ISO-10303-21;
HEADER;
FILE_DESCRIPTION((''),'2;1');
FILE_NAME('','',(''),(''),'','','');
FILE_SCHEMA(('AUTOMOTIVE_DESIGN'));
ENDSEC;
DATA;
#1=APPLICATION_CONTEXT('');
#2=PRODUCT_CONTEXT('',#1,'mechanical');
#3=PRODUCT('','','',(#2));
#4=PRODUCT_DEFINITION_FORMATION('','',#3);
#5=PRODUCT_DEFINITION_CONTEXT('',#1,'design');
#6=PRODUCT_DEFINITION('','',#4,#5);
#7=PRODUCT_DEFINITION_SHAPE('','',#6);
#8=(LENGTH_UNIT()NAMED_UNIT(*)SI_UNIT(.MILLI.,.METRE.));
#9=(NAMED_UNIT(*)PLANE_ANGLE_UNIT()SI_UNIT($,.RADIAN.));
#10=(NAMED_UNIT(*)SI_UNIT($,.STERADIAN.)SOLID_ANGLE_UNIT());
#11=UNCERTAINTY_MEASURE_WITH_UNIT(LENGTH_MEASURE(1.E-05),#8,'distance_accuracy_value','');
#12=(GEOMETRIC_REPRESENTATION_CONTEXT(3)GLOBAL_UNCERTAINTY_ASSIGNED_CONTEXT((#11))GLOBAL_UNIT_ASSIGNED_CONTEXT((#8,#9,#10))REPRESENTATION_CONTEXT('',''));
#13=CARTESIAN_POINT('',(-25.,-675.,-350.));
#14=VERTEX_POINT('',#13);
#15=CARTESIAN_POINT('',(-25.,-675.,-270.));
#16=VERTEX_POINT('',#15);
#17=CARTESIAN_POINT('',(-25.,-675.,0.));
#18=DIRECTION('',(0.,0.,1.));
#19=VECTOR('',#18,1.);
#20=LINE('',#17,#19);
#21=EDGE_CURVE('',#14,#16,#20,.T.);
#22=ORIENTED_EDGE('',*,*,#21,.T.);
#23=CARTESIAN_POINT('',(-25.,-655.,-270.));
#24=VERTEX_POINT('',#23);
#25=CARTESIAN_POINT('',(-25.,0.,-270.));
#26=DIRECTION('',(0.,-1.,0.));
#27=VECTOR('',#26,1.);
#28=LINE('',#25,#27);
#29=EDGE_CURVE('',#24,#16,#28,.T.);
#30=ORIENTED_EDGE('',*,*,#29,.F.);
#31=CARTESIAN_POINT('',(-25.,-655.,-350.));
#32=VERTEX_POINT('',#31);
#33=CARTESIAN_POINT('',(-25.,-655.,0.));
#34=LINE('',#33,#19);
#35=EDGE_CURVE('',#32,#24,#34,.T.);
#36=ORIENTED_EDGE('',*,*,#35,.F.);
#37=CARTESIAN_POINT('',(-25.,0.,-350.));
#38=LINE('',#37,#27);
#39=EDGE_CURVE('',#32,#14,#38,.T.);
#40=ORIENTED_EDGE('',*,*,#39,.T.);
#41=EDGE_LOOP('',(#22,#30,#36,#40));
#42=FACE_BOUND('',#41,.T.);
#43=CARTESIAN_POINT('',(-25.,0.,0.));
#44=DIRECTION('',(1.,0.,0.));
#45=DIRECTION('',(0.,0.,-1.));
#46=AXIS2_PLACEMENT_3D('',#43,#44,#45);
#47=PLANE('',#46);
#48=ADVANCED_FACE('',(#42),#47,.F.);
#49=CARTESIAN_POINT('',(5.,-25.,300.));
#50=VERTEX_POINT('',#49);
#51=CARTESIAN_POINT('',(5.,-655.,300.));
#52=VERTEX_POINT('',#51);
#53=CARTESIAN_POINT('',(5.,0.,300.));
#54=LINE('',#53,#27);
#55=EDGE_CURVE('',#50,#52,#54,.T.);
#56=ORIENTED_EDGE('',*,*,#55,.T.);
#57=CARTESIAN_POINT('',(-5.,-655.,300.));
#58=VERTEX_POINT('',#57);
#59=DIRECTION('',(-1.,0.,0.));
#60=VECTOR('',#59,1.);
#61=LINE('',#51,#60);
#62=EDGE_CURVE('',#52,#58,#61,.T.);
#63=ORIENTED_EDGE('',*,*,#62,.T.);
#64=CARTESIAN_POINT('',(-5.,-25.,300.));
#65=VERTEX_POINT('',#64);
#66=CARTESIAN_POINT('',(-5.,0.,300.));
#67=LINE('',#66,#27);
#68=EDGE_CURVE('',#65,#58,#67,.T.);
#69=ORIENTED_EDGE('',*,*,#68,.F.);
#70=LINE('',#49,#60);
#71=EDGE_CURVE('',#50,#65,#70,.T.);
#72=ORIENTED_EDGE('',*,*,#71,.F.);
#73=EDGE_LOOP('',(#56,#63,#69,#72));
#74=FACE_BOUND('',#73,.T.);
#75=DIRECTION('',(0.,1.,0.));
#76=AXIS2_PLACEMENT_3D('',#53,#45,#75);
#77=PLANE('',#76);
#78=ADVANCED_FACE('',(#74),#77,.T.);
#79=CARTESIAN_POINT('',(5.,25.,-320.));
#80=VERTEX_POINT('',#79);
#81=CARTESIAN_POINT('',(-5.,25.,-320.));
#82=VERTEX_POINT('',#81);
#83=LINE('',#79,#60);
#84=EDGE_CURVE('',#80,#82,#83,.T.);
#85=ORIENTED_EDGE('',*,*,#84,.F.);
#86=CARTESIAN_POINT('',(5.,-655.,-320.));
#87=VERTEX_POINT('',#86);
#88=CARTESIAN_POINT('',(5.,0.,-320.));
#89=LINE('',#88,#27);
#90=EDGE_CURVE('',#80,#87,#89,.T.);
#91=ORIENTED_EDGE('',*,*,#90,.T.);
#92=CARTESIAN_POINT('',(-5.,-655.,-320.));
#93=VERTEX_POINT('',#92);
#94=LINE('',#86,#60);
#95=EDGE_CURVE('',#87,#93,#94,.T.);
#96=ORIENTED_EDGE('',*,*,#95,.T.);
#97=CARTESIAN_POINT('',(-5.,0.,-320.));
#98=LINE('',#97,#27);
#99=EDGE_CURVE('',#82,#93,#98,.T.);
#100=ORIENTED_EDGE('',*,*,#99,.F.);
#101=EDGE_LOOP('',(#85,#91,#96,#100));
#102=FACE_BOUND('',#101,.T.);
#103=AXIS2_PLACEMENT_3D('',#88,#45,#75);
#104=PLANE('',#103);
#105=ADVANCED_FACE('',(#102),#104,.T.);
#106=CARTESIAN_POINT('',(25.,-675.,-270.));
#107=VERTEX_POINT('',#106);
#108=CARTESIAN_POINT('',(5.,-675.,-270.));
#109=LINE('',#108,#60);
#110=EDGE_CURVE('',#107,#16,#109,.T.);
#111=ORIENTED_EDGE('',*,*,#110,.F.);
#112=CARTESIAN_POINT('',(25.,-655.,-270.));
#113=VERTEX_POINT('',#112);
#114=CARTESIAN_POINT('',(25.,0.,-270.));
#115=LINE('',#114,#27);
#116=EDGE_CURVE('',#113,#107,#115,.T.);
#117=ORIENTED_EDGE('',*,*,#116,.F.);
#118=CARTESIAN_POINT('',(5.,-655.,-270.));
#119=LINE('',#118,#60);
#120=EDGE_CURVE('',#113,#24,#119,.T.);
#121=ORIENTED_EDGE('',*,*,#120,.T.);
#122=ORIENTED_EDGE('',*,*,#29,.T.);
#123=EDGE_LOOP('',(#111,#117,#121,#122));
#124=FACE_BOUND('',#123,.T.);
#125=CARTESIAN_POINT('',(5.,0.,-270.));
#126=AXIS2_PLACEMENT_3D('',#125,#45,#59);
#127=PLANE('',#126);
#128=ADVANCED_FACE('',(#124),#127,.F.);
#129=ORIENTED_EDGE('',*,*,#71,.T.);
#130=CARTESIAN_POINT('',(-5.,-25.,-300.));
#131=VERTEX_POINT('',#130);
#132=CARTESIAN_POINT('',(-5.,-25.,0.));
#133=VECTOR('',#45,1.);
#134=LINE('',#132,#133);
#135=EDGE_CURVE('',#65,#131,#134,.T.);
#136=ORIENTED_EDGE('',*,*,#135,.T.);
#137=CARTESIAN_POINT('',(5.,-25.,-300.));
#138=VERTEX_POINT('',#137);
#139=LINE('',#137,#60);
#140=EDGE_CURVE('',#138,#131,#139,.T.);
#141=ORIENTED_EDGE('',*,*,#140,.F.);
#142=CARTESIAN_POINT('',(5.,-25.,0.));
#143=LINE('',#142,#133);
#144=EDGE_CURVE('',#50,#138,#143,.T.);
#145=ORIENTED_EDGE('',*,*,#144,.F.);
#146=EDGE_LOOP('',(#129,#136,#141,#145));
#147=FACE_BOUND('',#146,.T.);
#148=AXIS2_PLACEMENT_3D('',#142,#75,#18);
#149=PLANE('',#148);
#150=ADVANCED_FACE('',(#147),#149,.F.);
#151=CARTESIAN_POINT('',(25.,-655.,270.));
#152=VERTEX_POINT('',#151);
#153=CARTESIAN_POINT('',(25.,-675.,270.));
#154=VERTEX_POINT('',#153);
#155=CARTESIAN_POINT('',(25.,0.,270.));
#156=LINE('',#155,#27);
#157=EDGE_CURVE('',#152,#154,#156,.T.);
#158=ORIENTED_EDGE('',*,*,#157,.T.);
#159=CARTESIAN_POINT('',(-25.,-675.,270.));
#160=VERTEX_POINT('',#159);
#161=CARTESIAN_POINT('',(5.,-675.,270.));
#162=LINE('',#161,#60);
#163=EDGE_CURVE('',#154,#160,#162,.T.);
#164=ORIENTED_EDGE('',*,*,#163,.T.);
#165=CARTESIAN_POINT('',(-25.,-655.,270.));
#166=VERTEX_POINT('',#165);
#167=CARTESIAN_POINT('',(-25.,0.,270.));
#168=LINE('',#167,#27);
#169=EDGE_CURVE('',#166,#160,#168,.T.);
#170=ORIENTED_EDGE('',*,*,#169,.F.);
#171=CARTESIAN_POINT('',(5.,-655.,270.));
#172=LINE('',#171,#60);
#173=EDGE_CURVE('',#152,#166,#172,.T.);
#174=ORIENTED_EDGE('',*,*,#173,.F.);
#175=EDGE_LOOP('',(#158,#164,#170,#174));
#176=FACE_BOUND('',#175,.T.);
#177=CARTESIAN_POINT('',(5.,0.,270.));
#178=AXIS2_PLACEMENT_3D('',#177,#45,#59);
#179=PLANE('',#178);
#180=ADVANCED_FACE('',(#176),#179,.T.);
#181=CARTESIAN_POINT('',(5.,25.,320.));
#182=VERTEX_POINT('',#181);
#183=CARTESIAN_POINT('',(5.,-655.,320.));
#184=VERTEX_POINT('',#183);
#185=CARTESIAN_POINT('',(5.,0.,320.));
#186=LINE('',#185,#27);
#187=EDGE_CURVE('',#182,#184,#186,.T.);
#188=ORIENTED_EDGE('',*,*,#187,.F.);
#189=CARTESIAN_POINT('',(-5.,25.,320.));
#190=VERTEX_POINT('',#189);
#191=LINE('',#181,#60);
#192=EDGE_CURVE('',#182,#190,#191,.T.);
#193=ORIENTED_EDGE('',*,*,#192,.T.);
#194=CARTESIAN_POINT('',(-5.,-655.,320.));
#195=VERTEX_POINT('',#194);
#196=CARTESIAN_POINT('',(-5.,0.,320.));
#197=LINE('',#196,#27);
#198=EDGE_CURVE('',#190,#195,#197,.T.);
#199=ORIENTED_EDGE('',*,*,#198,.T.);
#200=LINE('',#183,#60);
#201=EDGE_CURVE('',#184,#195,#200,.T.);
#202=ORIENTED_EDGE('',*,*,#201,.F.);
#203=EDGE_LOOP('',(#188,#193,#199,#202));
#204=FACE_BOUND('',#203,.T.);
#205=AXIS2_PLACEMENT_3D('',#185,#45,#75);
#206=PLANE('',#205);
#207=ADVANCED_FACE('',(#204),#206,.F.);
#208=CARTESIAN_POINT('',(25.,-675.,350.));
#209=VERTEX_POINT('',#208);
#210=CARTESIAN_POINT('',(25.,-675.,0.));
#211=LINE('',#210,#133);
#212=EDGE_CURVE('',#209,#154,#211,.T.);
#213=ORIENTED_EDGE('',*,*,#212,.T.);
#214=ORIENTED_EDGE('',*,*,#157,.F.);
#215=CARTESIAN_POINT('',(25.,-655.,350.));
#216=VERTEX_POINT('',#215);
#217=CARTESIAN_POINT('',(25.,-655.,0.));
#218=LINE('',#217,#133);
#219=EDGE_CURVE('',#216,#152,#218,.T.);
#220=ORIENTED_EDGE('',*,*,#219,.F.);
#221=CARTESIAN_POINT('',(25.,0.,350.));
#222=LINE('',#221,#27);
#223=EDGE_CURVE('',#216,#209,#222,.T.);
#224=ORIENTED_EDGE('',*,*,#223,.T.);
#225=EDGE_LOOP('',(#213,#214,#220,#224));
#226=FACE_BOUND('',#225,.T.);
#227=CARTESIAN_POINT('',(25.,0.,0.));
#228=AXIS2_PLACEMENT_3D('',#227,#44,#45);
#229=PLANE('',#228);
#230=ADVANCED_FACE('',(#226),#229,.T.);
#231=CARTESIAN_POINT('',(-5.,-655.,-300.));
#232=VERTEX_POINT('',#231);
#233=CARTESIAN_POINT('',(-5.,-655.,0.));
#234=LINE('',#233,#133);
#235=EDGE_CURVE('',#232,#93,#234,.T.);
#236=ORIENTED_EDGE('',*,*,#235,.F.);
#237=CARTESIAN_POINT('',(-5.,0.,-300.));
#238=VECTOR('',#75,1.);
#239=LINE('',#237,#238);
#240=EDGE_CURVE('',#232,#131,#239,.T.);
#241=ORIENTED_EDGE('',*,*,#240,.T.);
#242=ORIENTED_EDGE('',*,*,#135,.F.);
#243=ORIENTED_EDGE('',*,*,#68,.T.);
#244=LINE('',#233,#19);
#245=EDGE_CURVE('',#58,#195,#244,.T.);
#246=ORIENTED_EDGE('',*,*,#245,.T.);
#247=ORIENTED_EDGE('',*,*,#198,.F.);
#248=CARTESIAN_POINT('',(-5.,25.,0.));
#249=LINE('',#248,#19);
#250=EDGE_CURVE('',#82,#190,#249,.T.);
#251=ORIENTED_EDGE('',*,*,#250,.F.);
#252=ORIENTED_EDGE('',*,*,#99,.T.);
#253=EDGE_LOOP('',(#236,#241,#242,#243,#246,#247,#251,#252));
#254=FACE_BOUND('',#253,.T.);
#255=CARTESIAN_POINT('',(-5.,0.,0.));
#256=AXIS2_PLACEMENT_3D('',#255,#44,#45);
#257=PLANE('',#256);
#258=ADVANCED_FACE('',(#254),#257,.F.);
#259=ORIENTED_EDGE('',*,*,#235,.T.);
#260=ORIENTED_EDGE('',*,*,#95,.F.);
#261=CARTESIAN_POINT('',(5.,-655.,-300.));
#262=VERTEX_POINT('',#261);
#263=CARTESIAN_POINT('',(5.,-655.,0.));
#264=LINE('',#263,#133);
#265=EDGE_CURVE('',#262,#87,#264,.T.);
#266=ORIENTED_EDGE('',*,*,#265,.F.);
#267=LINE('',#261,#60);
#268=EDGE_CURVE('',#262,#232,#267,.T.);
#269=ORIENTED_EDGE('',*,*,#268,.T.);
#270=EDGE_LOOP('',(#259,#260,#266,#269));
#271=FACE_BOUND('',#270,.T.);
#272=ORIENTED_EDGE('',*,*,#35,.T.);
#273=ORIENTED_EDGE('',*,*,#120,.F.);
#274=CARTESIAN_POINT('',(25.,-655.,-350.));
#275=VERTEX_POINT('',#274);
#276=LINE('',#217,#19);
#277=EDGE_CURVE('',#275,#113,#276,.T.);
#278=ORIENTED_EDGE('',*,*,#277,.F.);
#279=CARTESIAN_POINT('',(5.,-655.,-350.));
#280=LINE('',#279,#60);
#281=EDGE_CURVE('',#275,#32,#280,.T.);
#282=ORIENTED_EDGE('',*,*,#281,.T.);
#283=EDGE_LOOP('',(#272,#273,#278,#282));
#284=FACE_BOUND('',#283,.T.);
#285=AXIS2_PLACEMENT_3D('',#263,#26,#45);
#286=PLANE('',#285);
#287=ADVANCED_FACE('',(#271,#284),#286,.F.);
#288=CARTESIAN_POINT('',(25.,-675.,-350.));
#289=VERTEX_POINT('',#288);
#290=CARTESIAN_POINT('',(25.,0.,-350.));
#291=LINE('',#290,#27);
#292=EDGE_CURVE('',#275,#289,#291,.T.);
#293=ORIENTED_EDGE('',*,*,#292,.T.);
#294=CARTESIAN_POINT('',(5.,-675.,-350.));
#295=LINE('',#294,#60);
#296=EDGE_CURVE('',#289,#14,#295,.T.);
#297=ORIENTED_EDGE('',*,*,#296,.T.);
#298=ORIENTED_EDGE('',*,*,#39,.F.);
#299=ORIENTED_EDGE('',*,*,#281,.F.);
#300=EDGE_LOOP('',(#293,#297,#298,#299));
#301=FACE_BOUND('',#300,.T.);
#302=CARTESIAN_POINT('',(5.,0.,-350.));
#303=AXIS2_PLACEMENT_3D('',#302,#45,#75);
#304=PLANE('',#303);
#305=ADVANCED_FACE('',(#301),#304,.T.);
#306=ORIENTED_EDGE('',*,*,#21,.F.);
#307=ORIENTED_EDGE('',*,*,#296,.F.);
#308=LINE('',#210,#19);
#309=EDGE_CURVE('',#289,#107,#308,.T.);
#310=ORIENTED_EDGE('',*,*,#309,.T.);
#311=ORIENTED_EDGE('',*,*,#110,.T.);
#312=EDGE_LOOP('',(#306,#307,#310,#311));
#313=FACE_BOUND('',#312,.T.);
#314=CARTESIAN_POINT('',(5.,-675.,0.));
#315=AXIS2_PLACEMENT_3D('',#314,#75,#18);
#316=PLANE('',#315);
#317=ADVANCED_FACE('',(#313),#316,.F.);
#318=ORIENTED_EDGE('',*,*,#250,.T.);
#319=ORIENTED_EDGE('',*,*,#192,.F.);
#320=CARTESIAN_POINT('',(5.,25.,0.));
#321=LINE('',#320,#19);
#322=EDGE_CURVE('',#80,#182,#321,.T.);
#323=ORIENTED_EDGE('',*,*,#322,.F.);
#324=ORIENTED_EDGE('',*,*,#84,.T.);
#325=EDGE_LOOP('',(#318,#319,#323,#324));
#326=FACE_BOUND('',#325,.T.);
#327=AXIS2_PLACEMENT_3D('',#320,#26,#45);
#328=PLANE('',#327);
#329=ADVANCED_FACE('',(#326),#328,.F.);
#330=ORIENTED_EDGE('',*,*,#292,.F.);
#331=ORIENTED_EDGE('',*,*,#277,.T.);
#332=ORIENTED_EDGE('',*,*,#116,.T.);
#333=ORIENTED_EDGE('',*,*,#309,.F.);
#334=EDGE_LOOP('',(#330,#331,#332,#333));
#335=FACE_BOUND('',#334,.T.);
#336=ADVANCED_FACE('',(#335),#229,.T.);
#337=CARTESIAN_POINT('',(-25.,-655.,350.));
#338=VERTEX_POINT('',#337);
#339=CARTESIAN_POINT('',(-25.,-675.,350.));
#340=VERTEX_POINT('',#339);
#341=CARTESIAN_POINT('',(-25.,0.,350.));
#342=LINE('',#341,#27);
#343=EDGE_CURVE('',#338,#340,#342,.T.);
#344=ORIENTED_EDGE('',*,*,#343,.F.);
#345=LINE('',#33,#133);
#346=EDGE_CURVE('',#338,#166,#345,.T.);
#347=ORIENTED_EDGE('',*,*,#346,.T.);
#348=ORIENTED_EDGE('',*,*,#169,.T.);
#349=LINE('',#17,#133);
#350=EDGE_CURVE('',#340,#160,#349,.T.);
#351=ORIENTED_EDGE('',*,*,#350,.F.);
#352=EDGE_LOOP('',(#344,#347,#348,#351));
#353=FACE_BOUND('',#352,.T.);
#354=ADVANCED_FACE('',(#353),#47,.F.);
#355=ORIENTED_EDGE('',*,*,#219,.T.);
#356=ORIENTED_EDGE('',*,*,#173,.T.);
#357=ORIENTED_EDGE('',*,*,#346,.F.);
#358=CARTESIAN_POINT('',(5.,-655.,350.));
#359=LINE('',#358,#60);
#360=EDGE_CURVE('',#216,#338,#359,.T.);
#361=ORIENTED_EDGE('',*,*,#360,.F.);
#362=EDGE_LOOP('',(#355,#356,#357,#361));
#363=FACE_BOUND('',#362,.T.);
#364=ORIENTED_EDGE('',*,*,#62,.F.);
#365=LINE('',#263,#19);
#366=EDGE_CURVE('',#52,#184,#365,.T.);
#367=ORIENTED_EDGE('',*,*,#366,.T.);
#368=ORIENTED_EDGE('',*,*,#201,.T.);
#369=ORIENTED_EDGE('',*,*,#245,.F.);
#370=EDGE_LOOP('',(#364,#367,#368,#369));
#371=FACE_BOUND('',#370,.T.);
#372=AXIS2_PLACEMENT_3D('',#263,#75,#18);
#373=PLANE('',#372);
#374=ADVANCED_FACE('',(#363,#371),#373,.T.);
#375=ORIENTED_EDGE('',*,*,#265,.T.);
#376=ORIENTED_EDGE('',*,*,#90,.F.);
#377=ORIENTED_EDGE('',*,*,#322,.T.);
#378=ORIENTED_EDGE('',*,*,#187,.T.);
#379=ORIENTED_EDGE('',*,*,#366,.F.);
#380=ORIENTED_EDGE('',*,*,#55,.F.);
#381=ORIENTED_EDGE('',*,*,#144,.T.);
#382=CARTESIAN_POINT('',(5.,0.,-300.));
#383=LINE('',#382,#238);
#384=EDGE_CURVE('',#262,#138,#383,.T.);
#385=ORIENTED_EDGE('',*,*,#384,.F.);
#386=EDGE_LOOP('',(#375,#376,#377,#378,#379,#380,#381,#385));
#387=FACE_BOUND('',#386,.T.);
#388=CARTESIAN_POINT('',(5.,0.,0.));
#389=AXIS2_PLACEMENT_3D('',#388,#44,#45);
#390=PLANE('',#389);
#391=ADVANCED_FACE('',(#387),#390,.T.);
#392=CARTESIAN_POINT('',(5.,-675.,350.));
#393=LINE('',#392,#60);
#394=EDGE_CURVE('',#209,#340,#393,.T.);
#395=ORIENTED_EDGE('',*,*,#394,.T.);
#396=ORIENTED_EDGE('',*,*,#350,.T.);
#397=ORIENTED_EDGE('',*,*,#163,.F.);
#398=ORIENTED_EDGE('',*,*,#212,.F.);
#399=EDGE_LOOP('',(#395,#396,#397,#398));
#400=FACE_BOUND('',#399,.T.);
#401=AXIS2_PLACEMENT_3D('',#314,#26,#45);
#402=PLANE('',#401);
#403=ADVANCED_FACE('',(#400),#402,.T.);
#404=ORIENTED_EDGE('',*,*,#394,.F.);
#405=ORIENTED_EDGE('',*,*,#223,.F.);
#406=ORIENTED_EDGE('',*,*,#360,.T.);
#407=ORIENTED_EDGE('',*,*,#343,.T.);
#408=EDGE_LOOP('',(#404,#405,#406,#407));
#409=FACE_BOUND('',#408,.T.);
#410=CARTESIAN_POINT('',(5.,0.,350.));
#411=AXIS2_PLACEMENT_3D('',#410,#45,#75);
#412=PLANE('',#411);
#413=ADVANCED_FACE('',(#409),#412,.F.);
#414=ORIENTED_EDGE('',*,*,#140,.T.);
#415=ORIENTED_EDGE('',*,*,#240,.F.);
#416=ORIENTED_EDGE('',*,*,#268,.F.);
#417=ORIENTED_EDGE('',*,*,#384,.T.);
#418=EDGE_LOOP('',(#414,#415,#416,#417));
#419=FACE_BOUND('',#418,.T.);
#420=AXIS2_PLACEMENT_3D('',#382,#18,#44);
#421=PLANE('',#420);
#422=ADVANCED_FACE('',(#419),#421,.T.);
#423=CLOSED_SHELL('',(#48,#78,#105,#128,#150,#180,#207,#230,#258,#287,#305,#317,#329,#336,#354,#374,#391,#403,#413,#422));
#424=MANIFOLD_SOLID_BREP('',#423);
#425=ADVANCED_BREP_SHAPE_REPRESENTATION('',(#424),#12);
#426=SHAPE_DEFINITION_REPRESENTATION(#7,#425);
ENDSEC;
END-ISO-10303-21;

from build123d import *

# Parameters (mm, degrees)
EXTRUDE_1_DEPTH = 5
SKETCH_1_3_W    = 80
SKETCH_1_3_H    = 20
EXTRUDE_2_DEPTH = 25


with BuildPart() as part:
    # 草图1 → 凸台-拉伸1 (new, symmetric)
    with BuildSketch(Plane(origin=(0, 0, 0), x_dir=(0, 0, -1), z_dir=(1, 0, 0))):
        Polygon((320, -655), (320, 25), (-320, 25), (-320, -655), (-350, -655), (-350, -675), (-270, -675), (-270, -655), (-300, -655), (-300, -25), (300, -25), (300, -655), (270, -655), (270, -675), (350, -675), (350, -655), align=None)
    extrude(amount=EXTRUDE_1_DEPTH, both=True)

    # 草图1<3> → 凸台-拉伸2 (add, symmetric)
    with BuildSketch(Plane(origin=(0, 0, 0), x_dir=(0, 0, -1), z_dir=(1, 0, 0))):
        with Locations((310, -665)):
            Rectangle(SKETCH_1_3_W, SKETCH_1_3_H)
        with Locations((-310, -665)):
            Rectangle(SKETCH_1_3_W, SKETCH_1_3_H)
    extrude(amount=EXTRUDE_2_DEPTH, both=True)


solid = part.part
